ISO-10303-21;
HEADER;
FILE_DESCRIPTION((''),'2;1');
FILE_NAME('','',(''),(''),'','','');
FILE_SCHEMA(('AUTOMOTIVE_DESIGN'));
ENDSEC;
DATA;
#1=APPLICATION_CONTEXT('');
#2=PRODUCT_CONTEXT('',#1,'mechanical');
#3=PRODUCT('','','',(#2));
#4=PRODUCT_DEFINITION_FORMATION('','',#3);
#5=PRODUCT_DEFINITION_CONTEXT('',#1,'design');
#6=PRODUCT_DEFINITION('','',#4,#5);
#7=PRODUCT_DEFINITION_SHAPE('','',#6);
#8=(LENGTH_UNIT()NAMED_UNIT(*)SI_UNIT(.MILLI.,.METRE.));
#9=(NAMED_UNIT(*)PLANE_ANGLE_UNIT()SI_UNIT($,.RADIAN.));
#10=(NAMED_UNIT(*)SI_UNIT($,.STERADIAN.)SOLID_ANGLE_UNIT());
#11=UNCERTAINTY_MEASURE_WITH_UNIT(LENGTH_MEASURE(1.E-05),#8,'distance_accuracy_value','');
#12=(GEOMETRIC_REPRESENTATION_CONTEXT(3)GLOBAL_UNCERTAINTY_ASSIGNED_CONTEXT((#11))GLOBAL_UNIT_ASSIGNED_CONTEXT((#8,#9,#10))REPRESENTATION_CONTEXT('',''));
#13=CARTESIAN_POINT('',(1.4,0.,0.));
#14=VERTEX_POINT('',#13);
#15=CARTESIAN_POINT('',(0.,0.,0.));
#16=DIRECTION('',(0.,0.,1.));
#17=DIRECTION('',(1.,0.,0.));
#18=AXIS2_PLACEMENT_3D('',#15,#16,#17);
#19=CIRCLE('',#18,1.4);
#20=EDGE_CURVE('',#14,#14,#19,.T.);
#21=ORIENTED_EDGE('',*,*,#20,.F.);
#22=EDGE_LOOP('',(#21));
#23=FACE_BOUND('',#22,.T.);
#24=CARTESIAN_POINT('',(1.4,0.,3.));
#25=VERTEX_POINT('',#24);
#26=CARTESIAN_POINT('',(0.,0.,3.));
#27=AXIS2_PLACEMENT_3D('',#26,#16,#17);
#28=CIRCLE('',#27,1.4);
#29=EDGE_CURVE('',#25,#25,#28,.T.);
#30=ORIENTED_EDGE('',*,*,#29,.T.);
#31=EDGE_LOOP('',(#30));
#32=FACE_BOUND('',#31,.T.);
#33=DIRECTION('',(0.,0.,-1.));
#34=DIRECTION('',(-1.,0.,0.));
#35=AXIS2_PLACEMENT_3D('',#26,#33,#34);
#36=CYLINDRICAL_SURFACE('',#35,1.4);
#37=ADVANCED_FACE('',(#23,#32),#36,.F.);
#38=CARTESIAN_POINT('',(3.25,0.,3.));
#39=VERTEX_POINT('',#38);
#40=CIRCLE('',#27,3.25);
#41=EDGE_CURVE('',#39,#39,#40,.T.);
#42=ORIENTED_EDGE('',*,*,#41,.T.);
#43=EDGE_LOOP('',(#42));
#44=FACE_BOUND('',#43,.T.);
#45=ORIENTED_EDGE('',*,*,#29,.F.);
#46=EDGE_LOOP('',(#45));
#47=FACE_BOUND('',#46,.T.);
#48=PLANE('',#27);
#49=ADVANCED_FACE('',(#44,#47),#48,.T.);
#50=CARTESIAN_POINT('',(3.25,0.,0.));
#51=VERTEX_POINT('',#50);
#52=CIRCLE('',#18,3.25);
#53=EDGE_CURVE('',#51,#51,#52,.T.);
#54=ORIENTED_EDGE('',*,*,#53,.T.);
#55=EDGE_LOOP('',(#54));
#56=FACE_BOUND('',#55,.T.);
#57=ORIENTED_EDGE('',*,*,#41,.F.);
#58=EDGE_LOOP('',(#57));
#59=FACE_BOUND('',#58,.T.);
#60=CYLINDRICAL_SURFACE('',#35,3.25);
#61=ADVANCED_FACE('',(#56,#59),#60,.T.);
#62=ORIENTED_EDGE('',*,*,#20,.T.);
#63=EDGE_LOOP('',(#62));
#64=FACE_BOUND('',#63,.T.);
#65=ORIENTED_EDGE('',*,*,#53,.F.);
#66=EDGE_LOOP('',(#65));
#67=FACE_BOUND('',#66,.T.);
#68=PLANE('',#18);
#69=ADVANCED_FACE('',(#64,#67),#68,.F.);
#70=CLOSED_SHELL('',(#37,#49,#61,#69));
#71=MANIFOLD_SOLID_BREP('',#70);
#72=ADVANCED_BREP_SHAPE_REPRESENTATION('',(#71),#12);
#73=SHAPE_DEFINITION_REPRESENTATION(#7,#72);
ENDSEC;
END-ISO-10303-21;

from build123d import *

# Parameters (mm, degrees)
ESQUISSE1_R        = 3.25
ESQUISSE1_R_2      = 1.4
BOSS_EXTRU_1_DEPTH = 3


with BuildPart() as part:
    # Esquisse1 → Boss.-Extru.1 (new body)
    with BuildSketch(Plane.XY):
        Circle(ESQUISSE1_R)
        Circle(ESQUISSE1_R_2, mode=Mode.SUBTRACT)
    extrude(amount=BOSS_EXTRU_1_DEPTH)


solid = part.part
